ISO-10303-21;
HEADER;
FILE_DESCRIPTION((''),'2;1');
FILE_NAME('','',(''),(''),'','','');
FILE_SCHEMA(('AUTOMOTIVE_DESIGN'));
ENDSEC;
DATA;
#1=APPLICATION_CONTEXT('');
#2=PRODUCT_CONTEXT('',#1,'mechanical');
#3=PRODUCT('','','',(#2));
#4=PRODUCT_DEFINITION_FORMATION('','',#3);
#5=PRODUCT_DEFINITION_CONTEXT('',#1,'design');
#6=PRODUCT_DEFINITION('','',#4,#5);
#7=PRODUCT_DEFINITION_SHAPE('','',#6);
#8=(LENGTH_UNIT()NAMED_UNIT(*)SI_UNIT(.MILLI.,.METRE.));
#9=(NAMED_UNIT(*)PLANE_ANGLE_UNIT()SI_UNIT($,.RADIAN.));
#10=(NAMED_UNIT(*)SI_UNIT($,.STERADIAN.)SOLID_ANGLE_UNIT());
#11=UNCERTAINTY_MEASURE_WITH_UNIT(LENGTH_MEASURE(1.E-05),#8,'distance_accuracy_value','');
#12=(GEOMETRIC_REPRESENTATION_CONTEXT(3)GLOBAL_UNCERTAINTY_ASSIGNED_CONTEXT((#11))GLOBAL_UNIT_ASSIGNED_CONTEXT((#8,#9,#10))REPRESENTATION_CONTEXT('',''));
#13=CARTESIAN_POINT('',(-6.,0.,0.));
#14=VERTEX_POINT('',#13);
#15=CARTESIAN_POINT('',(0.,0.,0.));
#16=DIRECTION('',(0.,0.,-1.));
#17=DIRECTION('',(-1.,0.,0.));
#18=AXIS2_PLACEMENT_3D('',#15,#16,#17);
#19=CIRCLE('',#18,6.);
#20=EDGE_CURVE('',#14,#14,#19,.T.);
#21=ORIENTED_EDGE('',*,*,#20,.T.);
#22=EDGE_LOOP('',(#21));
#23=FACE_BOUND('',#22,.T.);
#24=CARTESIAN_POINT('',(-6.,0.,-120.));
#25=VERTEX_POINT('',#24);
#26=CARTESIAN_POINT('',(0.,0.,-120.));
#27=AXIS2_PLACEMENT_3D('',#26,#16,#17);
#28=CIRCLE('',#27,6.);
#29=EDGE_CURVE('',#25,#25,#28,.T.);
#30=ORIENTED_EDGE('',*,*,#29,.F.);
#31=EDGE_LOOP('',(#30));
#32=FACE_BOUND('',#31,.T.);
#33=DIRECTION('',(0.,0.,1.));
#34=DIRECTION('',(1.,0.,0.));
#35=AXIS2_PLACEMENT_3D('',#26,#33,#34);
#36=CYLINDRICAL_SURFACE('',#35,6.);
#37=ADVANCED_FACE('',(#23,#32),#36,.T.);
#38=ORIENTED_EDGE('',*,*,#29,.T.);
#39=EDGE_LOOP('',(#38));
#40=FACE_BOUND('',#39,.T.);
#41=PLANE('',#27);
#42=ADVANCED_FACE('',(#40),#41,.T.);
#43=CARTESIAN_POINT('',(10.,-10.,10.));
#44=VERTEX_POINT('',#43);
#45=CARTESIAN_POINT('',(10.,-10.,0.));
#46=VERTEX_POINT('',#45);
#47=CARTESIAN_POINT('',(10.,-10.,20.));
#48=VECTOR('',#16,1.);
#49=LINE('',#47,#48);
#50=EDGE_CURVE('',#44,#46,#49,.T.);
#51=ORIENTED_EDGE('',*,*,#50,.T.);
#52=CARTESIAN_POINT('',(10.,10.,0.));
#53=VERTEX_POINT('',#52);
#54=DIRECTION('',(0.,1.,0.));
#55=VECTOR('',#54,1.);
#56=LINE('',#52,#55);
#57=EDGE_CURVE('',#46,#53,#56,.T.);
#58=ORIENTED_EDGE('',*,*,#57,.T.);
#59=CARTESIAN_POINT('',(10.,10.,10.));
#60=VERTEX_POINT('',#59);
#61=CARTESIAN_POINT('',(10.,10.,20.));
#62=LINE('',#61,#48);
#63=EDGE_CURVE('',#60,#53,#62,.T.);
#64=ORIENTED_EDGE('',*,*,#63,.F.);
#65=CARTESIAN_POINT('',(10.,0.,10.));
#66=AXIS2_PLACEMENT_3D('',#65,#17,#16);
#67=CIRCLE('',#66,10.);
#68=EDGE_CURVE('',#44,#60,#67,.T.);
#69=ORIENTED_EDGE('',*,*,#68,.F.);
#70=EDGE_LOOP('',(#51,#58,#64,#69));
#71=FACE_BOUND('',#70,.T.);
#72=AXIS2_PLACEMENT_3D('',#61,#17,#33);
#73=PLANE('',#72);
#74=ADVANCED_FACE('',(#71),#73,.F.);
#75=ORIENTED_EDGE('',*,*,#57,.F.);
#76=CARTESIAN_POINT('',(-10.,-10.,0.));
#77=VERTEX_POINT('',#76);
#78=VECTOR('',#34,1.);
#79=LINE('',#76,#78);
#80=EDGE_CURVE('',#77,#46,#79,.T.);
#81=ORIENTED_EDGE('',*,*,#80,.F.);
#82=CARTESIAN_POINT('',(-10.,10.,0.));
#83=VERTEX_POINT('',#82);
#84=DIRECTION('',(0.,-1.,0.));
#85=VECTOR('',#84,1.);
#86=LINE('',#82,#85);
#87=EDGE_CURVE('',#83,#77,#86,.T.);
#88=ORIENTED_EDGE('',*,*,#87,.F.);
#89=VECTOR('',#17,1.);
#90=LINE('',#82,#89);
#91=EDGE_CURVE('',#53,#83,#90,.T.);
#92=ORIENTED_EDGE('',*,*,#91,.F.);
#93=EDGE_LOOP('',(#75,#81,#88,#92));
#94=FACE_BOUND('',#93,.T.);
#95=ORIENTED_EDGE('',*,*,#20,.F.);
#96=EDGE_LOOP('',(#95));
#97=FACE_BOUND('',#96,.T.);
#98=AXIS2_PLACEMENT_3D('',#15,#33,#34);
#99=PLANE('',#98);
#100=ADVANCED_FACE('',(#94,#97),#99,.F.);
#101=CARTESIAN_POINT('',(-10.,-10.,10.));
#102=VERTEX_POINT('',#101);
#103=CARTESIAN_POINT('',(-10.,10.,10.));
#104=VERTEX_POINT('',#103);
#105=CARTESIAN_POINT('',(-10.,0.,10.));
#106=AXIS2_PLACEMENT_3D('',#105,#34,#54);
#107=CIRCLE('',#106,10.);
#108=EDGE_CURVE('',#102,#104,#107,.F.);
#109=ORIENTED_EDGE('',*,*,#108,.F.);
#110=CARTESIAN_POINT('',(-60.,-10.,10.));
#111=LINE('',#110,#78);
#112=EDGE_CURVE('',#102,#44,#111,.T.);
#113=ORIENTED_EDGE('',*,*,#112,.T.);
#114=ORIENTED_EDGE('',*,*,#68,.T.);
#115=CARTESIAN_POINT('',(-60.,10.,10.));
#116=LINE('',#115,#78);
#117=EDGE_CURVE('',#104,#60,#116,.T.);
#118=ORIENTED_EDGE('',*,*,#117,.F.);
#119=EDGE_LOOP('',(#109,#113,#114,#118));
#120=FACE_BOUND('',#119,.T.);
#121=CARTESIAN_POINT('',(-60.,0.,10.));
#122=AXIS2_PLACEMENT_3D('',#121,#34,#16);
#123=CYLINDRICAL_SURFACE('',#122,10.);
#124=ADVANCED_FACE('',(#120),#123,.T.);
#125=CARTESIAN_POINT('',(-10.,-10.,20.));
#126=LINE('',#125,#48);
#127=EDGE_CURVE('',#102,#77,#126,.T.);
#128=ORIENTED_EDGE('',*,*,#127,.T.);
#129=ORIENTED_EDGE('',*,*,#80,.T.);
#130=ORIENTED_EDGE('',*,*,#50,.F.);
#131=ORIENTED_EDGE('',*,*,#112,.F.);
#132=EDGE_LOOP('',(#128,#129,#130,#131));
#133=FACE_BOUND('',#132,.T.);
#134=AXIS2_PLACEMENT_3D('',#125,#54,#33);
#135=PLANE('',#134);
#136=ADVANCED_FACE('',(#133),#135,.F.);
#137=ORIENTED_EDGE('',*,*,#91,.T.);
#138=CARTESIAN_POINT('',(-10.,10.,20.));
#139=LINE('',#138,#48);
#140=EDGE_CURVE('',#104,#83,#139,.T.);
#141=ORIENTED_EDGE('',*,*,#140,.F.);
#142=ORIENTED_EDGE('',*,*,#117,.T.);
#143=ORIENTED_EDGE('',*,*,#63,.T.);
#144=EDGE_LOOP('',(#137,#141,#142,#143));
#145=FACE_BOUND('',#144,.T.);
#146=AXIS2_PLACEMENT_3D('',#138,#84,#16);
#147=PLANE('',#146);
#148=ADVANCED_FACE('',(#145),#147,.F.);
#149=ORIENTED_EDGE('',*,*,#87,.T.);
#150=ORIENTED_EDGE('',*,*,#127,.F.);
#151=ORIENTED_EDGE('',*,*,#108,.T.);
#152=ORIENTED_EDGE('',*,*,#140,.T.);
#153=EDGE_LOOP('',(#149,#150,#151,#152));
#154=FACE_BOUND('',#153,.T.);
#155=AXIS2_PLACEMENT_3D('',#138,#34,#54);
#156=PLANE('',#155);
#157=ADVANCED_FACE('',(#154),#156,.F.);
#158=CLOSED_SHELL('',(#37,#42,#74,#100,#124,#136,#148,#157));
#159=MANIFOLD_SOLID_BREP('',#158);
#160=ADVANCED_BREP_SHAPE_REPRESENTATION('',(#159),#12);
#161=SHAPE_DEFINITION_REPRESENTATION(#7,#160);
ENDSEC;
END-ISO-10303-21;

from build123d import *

# Parameters (mm, degrees)
SKETCH_1_W          = 20
SKETCH_1_H          = 20
EXTRUDE_1_DEPTH     = 20
SKETCH_2_R          = 6
EXTRUDE_2_DEPTH     = 120
CUT_EXTRUDE_1_DEPTH = 70


with BuildPart() as part:
    # 草图1 → 凸台-拉伸1 (new body)
    with BuildSketch(Plane.XY):
        Rectangle(SKETCH_1_W, SKETCH_1_H)
    extrude(amount=EXTRUDE_1_DEPTH)

    # 草图2 → 凸台-拉伸2 (add)
    with BuildSketch(Plane(origin=(0, 0, 0), x_dir=(-1, 0, 0), z_dir=(0, 0, -1))):
        Circle(SKETCH_2_R)
    extrude(amount=EXTRUDE_2_DEPTH)

    # 草图3 → 切除-拉伸1 (cut)
    with BuildSketch(Plane(origin=(10, 0, 0), x_dir=(0, 0, -1), z_dir=(1, 0, 0))):
        with BuildLine():
            Line((-10, 10), (-23.053143475, 10))
            Line((-23.053143475, 10), (-23.053143475, -10))
            Line((-23.053143475, -10), (-10, -10))
            ThreePointArc((-10, -10), (-20, 0), (-10, 10))
        make_face()
    extrude(amount=-CUT_EXTRUDE_1_DEPTH, mode=Mode.SUBTRACT)


solid = part.part
